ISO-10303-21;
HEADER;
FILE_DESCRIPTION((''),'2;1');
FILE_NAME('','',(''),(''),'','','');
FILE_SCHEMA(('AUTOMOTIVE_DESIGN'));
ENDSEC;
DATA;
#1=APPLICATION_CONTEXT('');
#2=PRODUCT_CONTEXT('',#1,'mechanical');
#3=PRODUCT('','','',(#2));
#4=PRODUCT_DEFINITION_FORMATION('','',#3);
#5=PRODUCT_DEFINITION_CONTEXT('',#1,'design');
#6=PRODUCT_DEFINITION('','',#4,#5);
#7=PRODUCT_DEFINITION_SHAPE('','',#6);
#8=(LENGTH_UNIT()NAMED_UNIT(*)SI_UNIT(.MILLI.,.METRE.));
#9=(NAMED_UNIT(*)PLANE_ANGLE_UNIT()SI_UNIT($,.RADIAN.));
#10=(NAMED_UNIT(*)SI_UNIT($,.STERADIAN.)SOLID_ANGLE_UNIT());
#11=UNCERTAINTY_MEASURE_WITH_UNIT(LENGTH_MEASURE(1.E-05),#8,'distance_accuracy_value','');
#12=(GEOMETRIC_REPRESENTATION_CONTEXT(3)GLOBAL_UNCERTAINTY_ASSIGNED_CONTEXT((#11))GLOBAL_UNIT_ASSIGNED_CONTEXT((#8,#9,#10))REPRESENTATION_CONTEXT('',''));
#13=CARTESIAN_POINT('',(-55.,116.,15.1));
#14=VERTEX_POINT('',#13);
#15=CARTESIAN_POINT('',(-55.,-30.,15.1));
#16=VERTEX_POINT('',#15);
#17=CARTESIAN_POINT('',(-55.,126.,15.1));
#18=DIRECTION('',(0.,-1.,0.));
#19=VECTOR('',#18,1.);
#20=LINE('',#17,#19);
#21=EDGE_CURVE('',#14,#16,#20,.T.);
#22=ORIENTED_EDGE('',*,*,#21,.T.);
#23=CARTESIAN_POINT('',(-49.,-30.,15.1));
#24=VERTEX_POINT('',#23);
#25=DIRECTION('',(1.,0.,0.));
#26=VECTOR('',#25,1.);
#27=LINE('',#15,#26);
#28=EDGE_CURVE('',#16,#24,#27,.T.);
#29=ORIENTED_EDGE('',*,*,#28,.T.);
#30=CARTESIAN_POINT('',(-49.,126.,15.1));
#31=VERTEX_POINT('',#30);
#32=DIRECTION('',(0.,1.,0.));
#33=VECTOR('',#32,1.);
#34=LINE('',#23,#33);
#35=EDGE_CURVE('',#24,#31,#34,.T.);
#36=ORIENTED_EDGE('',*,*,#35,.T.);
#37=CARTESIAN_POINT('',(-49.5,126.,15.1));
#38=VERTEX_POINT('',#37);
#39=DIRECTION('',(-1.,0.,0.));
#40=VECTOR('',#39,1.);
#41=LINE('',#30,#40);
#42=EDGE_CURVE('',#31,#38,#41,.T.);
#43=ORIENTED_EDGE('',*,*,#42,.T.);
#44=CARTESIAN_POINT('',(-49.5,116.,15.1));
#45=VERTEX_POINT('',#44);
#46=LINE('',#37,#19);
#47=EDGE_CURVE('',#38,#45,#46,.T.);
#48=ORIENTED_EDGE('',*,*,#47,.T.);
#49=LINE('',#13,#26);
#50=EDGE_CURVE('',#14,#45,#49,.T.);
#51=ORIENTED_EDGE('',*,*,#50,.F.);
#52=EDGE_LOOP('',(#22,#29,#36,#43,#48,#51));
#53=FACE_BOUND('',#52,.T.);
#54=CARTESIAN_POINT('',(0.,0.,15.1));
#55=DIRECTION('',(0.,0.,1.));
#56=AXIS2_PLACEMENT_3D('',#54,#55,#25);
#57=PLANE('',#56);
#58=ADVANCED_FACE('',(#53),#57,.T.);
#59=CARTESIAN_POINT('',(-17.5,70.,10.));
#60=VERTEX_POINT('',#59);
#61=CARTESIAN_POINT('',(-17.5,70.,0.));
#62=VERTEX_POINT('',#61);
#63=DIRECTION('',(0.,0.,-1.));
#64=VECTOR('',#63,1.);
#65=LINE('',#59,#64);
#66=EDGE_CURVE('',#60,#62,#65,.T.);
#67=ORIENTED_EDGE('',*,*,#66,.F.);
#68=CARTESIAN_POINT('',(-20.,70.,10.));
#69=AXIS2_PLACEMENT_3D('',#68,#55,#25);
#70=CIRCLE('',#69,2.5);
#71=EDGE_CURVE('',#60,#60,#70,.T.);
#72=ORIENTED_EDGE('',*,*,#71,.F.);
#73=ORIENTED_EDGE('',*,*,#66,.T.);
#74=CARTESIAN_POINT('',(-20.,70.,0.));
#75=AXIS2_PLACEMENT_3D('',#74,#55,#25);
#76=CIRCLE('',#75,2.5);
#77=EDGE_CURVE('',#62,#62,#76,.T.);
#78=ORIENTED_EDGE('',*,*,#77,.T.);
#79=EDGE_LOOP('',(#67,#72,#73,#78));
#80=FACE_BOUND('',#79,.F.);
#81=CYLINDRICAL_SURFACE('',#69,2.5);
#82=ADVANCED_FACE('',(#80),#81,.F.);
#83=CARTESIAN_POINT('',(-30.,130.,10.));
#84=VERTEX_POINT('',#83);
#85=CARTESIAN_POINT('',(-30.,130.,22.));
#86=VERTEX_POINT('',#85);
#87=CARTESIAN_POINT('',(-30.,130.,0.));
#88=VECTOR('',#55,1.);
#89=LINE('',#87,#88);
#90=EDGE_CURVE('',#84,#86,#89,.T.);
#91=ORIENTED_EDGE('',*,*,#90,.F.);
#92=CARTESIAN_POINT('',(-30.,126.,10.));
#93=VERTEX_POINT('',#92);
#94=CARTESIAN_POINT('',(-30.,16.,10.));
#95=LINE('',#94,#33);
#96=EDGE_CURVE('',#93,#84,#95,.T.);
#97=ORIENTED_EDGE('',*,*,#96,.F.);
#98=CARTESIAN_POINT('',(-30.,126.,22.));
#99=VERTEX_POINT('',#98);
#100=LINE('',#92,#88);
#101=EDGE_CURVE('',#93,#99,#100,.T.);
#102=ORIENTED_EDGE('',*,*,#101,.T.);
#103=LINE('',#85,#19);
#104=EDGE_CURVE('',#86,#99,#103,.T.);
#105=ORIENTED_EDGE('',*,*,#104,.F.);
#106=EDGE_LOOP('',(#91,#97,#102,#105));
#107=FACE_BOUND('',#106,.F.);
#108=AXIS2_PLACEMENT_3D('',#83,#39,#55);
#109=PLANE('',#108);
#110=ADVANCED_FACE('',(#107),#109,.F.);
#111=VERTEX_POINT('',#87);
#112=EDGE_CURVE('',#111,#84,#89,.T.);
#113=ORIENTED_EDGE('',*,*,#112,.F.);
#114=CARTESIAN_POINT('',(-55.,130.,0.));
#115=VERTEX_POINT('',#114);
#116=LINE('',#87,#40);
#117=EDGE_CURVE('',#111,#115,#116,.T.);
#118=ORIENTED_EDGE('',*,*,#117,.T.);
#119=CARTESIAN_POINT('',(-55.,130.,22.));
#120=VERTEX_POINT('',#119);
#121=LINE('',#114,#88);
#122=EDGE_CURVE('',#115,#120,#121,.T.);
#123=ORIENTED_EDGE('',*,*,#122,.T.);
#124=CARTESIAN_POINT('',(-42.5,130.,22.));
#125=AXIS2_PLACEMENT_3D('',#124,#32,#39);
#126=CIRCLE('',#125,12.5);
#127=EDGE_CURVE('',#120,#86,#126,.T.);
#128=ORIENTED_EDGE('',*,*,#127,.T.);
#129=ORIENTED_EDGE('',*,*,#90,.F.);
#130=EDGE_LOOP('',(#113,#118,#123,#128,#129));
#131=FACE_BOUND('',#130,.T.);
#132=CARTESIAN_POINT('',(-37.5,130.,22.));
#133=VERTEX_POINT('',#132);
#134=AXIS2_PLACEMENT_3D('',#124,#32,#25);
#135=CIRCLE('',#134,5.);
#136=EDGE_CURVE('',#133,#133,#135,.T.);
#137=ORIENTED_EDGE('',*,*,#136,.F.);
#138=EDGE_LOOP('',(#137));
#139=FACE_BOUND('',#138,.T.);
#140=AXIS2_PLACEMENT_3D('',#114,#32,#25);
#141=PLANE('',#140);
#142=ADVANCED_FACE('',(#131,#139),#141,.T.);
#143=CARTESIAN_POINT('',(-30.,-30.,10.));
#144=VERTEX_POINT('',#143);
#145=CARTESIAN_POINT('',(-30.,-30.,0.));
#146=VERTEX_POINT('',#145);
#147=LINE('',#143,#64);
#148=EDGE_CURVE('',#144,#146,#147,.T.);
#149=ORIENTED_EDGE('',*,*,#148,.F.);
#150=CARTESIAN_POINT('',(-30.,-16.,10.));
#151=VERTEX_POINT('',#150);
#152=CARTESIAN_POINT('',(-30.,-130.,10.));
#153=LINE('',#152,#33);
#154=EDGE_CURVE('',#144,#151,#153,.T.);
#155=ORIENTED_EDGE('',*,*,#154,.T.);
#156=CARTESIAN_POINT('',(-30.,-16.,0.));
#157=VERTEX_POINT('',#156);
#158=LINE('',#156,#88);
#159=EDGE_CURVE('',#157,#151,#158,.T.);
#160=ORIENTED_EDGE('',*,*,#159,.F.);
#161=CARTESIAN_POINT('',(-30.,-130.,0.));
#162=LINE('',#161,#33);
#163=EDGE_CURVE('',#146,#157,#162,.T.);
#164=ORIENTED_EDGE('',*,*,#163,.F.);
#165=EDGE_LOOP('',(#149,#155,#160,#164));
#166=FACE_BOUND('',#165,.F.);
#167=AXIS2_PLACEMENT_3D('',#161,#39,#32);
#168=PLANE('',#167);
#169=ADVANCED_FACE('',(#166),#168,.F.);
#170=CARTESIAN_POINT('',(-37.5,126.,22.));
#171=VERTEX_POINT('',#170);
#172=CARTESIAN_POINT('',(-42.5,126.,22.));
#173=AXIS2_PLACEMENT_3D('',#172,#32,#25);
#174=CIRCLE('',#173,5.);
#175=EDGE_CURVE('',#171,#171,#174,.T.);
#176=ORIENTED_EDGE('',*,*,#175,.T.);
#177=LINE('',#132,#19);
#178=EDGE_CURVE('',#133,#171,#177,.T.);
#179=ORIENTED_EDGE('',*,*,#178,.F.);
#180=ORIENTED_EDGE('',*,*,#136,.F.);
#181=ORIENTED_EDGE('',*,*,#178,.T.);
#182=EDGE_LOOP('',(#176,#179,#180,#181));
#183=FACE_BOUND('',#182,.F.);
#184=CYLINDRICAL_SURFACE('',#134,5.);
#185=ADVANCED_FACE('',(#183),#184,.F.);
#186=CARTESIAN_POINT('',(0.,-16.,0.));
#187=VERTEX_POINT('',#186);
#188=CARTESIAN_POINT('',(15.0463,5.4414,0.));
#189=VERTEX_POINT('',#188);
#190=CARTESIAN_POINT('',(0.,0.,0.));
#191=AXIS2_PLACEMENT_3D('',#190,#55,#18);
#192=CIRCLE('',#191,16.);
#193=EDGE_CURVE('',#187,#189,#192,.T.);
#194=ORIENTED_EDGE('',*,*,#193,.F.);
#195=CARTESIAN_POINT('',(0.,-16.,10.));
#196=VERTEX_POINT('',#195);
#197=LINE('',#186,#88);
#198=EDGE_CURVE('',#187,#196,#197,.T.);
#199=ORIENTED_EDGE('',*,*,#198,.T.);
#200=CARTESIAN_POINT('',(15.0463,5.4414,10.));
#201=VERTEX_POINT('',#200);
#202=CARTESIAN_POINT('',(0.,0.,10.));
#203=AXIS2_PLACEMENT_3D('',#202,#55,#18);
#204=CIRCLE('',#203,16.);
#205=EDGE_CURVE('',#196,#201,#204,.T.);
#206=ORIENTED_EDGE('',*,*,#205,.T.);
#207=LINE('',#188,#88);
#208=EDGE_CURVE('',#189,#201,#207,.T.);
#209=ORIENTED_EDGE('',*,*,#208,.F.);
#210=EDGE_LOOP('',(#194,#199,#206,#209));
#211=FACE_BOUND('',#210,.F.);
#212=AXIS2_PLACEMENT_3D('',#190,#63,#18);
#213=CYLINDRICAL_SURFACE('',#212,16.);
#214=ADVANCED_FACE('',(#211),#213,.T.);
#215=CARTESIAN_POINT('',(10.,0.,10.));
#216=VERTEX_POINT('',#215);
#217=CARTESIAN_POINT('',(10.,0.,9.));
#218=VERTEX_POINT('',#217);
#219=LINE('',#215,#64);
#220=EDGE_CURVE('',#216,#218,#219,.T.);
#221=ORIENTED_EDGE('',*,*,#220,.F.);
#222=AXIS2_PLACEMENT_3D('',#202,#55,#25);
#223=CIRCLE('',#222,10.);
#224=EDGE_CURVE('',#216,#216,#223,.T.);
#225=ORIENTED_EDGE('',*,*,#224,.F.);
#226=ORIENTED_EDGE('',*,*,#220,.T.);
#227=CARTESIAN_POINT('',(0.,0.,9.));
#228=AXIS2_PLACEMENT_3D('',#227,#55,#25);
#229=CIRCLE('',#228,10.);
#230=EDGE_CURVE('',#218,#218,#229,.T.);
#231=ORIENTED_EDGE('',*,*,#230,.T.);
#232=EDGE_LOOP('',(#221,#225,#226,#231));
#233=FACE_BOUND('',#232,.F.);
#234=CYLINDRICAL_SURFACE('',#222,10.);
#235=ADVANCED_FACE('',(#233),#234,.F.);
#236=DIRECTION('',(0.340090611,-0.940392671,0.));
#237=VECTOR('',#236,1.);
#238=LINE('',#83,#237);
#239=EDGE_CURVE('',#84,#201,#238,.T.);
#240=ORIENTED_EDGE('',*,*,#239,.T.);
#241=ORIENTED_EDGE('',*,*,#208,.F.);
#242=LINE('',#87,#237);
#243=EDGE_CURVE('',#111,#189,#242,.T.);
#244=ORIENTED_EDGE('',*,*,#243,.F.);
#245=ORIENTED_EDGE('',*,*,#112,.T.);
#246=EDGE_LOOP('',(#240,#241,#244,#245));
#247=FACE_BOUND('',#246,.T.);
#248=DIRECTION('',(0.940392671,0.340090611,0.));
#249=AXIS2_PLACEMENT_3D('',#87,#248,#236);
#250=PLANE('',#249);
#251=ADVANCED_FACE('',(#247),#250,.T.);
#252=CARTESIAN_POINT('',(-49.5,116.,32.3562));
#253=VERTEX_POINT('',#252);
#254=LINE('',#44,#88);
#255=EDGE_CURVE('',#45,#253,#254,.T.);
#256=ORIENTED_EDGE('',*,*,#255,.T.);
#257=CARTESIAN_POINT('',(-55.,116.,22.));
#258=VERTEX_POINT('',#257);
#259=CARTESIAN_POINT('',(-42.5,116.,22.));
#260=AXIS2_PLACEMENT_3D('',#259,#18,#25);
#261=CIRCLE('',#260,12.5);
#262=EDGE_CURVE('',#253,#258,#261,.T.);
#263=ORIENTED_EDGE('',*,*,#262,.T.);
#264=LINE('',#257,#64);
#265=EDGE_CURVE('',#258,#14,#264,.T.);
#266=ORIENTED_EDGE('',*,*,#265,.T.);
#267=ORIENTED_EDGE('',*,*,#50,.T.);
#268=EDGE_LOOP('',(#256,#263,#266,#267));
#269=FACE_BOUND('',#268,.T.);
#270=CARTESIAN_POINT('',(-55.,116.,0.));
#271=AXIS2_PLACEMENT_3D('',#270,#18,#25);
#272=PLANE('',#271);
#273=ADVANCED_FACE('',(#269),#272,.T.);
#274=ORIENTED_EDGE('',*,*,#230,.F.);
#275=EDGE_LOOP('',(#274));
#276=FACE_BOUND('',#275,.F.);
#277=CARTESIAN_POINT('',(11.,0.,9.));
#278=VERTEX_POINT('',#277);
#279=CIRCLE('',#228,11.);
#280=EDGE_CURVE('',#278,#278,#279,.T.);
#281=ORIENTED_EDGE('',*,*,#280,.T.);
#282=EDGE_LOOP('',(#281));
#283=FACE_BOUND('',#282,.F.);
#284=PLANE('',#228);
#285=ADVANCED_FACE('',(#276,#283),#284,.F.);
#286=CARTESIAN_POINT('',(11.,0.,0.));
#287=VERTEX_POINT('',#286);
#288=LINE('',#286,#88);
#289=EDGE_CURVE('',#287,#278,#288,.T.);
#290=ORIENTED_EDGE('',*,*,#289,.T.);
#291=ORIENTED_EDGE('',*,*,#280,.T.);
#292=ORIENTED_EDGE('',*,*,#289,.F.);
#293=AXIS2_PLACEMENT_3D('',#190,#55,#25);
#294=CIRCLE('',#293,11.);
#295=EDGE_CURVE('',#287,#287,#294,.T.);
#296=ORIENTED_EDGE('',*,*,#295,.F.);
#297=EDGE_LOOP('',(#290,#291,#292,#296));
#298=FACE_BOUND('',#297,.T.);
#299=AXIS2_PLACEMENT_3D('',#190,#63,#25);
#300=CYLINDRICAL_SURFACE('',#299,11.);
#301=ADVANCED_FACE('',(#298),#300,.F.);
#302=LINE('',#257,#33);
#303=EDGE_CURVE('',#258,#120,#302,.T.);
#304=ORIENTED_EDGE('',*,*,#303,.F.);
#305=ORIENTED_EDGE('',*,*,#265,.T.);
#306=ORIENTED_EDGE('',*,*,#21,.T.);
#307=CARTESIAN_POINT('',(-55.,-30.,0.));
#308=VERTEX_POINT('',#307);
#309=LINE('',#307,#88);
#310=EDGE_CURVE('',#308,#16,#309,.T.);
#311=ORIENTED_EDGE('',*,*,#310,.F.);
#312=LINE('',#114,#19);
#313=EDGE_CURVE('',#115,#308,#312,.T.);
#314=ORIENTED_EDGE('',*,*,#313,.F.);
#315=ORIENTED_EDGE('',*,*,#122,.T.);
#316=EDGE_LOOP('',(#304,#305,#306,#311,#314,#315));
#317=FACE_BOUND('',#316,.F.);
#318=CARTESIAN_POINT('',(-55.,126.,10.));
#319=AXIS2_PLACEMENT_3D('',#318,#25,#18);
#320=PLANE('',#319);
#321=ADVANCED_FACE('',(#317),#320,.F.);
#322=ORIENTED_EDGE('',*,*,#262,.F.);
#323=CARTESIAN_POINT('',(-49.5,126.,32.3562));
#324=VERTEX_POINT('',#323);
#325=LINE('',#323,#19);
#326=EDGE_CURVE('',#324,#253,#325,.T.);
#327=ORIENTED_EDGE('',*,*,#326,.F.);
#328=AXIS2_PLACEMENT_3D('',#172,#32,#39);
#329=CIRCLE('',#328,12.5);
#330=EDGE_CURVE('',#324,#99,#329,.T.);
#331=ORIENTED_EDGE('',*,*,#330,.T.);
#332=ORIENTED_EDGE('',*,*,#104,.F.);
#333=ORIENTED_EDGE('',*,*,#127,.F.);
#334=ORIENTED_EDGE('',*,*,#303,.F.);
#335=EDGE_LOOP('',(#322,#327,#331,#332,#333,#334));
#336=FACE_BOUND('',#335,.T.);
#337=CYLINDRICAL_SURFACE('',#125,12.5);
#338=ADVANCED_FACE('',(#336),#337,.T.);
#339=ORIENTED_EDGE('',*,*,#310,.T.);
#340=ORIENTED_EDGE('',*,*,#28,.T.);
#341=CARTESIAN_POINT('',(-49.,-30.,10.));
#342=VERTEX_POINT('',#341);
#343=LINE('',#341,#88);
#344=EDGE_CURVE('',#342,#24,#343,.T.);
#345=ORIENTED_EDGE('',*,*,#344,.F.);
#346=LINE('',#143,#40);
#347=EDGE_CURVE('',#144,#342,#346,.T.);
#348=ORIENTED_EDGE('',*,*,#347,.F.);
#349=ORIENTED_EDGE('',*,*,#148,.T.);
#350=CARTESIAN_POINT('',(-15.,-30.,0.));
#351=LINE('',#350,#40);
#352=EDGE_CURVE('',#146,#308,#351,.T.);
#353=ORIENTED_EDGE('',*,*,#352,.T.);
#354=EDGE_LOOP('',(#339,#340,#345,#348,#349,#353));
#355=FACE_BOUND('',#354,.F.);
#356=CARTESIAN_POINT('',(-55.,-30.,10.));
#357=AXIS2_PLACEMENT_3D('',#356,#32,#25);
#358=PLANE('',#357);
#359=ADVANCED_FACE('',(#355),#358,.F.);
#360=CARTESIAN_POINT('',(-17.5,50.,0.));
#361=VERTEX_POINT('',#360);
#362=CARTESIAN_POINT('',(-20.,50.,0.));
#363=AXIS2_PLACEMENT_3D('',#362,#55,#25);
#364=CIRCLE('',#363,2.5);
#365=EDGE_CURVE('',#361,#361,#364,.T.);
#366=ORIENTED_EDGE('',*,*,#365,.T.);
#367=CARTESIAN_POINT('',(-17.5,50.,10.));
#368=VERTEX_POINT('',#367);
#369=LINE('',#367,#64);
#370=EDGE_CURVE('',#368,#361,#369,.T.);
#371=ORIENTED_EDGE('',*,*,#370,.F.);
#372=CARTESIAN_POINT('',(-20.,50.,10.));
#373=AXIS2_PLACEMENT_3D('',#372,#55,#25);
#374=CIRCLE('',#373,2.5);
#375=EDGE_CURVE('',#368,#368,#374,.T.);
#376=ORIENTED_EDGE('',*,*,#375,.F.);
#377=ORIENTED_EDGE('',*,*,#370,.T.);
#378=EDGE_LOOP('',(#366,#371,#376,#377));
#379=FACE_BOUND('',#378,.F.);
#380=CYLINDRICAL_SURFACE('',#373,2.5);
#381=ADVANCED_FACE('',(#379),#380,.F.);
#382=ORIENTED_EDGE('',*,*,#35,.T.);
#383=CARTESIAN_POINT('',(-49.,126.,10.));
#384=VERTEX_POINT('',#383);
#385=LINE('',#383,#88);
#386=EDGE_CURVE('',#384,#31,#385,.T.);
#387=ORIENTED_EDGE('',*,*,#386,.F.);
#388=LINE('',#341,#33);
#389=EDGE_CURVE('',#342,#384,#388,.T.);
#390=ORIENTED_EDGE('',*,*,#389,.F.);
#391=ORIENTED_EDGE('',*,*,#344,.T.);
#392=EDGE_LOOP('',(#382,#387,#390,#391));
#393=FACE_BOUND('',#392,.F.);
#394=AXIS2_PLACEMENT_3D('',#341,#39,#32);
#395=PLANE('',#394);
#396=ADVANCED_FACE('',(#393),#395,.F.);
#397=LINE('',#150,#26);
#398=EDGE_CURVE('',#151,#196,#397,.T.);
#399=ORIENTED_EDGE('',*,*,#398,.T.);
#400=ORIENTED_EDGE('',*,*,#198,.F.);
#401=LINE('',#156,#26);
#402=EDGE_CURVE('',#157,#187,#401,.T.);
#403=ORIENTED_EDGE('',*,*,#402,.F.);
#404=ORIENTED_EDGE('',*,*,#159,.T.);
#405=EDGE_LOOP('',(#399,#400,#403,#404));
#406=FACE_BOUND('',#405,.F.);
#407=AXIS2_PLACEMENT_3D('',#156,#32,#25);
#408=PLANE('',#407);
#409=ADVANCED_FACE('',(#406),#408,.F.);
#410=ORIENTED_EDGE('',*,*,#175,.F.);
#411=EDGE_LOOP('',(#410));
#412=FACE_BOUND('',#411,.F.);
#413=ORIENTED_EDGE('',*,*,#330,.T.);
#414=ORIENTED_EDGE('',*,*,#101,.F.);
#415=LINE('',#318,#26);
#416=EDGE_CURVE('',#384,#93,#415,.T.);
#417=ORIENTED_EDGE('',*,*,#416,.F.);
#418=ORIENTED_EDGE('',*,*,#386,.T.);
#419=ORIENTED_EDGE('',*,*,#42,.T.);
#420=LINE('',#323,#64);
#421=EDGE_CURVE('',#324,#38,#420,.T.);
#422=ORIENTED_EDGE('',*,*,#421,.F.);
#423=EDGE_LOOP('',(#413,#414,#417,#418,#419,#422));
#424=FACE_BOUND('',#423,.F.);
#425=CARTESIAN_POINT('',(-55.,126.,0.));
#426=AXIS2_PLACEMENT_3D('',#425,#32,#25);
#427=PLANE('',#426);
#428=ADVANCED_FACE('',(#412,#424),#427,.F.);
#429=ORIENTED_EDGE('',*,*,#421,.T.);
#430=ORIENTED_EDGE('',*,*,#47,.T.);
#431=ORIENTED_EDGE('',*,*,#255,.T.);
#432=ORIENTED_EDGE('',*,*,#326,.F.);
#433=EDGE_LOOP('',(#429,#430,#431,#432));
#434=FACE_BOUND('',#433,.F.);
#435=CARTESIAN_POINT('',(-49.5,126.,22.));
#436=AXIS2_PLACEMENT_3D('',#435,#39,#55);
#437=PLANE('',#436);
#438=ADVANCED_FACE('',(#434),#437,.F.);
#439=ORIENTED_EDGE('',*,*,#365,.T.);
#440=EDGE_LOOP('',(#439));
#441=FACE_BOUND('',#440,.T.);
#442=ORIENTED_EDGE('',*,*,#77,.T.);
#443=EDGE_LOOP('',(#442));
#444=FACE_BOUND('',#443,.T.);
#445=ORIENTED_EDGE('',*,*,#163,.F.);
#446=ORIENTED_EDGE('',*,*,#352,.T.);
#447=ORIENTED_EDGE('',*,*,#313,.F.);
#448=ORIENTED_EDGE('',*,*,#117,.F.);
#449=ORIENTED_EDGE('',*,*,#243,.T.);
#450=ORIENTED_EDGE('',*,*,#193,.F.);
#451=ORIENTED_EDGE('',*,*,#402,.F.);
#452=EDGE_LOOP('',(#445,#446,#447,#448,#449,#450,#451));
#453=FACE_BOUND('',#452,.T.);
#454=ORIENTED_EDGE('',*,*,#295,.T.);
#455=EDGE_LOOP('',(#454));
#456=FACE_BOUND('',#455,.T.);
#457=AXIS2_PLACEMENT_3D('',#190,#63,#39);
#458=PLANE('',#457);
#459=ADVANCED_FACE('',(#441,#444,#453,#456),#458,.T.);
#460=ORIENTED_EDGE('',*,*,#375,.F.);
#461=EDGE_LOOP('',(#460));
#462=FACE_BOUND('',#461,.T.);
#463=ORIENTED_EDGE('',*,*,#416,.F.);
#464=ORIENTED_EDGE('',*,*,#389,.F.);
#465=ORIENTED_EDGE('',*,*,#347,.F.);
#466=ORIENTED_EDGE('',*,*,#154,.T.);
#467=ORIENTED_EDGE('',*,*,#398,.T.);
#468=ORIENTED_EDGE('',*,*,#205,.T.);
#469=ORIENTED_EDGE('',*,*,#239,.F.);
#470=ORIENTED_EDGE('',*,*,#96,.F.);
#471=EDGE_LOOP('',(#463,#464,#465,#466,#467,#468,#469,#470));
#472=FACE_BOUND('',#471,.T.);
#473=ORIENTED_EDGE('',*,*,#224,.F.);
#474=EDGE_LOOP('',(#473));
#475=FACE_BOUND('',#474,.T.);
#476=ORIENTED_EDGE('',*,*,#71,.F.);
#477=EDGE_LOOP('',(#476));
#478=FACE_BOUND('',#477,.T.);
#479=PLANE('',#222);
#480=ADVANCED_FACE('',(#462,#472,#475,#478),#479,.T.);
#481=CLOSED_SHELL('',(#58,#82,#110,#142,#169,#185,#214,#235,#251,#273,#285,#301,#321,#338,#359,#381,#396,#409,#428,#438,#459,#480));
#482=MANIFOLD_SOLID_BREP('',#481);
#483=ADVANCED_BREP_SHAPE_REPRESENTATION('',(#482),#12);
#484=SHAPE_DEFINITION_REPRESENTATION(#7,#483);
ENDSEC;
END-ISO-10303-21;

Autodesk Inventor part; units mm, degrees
ref_plane "YZ Plane" through (0, 0, 0) normal (1, 0, 0) x (0, 1, 0)
ref_plane "XZ Plane" through (0, 0, 0) normal (0, 1, 0) x (-1, 0, 0)
ref_plane "XY Plane" through (0, 0, 0) normal (0, 0, 1) x (1, 0, 0)
sketch "Sketch1" plane through (0, 0, 0) normal (0, 0, 1) x (1, 0, 0)
  circle A0 centre (0, 0) radius 11
  line L0 (0, 0) -> (-30, 0) construction
  line L1 (0, 16) -> (-30, 16)
  line L2 (-30, -16) -> (0, -16)
  arc A1 (0, -16) -> (0, 16) centre (0, 0) ccw
  arc A2 (-30, 16) -> (-30, -16) centre (-30, 0) ccw construction
  line L3 (-30, 16) -> (-30, -16)
  line L4 (-30, 130) -> (-55, 130)
  line L5 (-55, 130) -> (-55, -130)
  line L6 (-55, -130) -> (-30, -130)
  line L7 (-30, -130) -> (-30, 130)
  point P0 (-15, 0)
  point P1 (-30, 0)
  dimension "d0" = 22
  dimension "d1" = 5
  dimension "d2" = 30
  dimension "d3" = 260
  dimension "d4" = 25
extrude "Extrusion1" add sketch "Sketch1" along normal blind 10
sketch "Sketch2" plane through (-55, 130, 0) normal (0, 1, 0) x (1, 0, 0)
  line L0 (25, -10) -> (0, -10) construction
  line L1 (12.5, -10) -> (12.5, -22) construction
  circle A0 centre (12.5, -22) radius 5
  line L2 (12.5, -10) -> (12.5, -22) construction
  line L3 (25, -10) -> (25, -22)
  line L4 (0, -22) -> (0, -10)
  arc A1 (25, -10) -> (0, -10) centre (12.5, -10) ccw construction
  arc A2 (0, -22) -> (25, -22) centre (12.5, -22) ccw
  line L5 (0, -10) -> (25, -10)
  point P0 (55, 0)
  point P1 (12.5, -16)
  dimension "d7" = 10
  dimension "d8" = 12
extrude "Extrusion2" add sketch "Sketch2" against normal blind 4
sketch "Sketch3" plane through (0, 0, 10) normal (0, 0, 1) x (1, 0, 0)
  line L0 (-55, 130) -> (-55, -130) projected
  line L1 (-55, -130) -> (-30, -130) projected
  line L2 (-55, -130) -> (-30, -130)
  line L3 (-30, -130) -> (-30, -30)
  line L4 (-30, -30) -> (-55, -30)
  line L5 (-55, -30) -> (-55, -130)
  point P0 (0, 0)
  dimension "d11" = 100
extrude "Extrusion3" cut sketch "Sketch3" against normal through all
sketch "Sketch4" plane through (0, 0, 10) normal (0, 0, 1) x (1, 0, 0)
  line L0 (-55, -30) -> (-49, -30)
  line L1 (-49, -30) -> (-49, 126)
  line L2 (-49, 126) -> (-55, 126)
  line L3 (-55, 126) -> (-55, -30)
  line L4 (-55, 126) -> (-30, 126) projected
  line L5 (-49, 3) -> (-49, -97) construction
  point P0 (0, 0)
  dimension "d18" = 6
extrude "Extrusion4" add sketch "Sketch4" along normal blind 5.1
sketch "Sketch5" plane through (-55, 126, 0) normal (0, -1, 0) x (1, 0, 0)
  line L0 (5.5, 23.8249) -> (5.5, 20.1751) construction
  line L1 (0, 15.1) -> (6, 15.1) projected
  line L2 (0, 15.1) -> (5.5, 15.1)
  line L3 (5.5, 15.1) -> (5.5, 22)
  line L4 (5.5, 22) -> (0, 22)
  line L5 (0, 22) -> (0, 15.1)
  line L6 (5.5, 22) -> (5.5, 32.3562)
  arc A0 (25, 22) -> (0, 22) centre (12.5, 22) ccw projected
  arc A1 (5.5, 32.3562) -> (0, 22) centre (12.5, 22) ccw
  line L7 (5.5, 22) -> (0, 22)
  point P0 (55, 0)
extrude "Extrusion5" add sketch "Sketch5" along normal blind 10
sketch "Sketch6" plane through (0, 0, 0) normal (0, 0, -1) x (-1, 0, 0)
  line L0 (30, 130) -> (-15.0463, 5.4414)
  arc A0 (0, 16) -> (0, -16) centre (0, 0) ccw projected
  arc A1 (0, 16) -> (-15.0463, 5.4414) centre (0, 0) ccw
  line L1 (0, 16) -> (30, 16) projected
  line L2 (0, 16) -> (30, 16)
  line L3 (30, 16) -> (30, 130) projected
  line L4 (30, 16) -> (30, 130)
extrude "Extrusion6" add sketch "Sketch6" against normal up to surface (10 mm away)
sketch "Sketch7" plane through (0, 0, 10) normal (0, 0, 1) x (1, 0, 0)
  line L0 (-20, 50) -> (-20, 70) construction
  circle A0 centre (-20, 50) radius 2.5
  circle A1 centre (-20, 70) radius 2.5
  line L1 (-55, 116) -> (-55, -30) projected
  line L2 (-30, 130) -> (-55, 130) projected
  point P0 (0, 0)
  dimension "d21" = 5
  dimension "d22" = 20
  dimension "d23" = 35
  dimension "d24" = 80
extrude "Extrusion7" cut sketch "Sketch7" against normal through all
sketch "Sketch8" plane through (0, 0, 10) normal (0, 0, 1) x (1, 0, 0)
  circle A0 centre (0, 0) radius 11 projected
  circle A1 centre (0, 0) radius 10
  dimension "d27" = 1
extrude "Extrusion8" add sketch "Sketch8" against normal blind 1
properties part number "frame"
